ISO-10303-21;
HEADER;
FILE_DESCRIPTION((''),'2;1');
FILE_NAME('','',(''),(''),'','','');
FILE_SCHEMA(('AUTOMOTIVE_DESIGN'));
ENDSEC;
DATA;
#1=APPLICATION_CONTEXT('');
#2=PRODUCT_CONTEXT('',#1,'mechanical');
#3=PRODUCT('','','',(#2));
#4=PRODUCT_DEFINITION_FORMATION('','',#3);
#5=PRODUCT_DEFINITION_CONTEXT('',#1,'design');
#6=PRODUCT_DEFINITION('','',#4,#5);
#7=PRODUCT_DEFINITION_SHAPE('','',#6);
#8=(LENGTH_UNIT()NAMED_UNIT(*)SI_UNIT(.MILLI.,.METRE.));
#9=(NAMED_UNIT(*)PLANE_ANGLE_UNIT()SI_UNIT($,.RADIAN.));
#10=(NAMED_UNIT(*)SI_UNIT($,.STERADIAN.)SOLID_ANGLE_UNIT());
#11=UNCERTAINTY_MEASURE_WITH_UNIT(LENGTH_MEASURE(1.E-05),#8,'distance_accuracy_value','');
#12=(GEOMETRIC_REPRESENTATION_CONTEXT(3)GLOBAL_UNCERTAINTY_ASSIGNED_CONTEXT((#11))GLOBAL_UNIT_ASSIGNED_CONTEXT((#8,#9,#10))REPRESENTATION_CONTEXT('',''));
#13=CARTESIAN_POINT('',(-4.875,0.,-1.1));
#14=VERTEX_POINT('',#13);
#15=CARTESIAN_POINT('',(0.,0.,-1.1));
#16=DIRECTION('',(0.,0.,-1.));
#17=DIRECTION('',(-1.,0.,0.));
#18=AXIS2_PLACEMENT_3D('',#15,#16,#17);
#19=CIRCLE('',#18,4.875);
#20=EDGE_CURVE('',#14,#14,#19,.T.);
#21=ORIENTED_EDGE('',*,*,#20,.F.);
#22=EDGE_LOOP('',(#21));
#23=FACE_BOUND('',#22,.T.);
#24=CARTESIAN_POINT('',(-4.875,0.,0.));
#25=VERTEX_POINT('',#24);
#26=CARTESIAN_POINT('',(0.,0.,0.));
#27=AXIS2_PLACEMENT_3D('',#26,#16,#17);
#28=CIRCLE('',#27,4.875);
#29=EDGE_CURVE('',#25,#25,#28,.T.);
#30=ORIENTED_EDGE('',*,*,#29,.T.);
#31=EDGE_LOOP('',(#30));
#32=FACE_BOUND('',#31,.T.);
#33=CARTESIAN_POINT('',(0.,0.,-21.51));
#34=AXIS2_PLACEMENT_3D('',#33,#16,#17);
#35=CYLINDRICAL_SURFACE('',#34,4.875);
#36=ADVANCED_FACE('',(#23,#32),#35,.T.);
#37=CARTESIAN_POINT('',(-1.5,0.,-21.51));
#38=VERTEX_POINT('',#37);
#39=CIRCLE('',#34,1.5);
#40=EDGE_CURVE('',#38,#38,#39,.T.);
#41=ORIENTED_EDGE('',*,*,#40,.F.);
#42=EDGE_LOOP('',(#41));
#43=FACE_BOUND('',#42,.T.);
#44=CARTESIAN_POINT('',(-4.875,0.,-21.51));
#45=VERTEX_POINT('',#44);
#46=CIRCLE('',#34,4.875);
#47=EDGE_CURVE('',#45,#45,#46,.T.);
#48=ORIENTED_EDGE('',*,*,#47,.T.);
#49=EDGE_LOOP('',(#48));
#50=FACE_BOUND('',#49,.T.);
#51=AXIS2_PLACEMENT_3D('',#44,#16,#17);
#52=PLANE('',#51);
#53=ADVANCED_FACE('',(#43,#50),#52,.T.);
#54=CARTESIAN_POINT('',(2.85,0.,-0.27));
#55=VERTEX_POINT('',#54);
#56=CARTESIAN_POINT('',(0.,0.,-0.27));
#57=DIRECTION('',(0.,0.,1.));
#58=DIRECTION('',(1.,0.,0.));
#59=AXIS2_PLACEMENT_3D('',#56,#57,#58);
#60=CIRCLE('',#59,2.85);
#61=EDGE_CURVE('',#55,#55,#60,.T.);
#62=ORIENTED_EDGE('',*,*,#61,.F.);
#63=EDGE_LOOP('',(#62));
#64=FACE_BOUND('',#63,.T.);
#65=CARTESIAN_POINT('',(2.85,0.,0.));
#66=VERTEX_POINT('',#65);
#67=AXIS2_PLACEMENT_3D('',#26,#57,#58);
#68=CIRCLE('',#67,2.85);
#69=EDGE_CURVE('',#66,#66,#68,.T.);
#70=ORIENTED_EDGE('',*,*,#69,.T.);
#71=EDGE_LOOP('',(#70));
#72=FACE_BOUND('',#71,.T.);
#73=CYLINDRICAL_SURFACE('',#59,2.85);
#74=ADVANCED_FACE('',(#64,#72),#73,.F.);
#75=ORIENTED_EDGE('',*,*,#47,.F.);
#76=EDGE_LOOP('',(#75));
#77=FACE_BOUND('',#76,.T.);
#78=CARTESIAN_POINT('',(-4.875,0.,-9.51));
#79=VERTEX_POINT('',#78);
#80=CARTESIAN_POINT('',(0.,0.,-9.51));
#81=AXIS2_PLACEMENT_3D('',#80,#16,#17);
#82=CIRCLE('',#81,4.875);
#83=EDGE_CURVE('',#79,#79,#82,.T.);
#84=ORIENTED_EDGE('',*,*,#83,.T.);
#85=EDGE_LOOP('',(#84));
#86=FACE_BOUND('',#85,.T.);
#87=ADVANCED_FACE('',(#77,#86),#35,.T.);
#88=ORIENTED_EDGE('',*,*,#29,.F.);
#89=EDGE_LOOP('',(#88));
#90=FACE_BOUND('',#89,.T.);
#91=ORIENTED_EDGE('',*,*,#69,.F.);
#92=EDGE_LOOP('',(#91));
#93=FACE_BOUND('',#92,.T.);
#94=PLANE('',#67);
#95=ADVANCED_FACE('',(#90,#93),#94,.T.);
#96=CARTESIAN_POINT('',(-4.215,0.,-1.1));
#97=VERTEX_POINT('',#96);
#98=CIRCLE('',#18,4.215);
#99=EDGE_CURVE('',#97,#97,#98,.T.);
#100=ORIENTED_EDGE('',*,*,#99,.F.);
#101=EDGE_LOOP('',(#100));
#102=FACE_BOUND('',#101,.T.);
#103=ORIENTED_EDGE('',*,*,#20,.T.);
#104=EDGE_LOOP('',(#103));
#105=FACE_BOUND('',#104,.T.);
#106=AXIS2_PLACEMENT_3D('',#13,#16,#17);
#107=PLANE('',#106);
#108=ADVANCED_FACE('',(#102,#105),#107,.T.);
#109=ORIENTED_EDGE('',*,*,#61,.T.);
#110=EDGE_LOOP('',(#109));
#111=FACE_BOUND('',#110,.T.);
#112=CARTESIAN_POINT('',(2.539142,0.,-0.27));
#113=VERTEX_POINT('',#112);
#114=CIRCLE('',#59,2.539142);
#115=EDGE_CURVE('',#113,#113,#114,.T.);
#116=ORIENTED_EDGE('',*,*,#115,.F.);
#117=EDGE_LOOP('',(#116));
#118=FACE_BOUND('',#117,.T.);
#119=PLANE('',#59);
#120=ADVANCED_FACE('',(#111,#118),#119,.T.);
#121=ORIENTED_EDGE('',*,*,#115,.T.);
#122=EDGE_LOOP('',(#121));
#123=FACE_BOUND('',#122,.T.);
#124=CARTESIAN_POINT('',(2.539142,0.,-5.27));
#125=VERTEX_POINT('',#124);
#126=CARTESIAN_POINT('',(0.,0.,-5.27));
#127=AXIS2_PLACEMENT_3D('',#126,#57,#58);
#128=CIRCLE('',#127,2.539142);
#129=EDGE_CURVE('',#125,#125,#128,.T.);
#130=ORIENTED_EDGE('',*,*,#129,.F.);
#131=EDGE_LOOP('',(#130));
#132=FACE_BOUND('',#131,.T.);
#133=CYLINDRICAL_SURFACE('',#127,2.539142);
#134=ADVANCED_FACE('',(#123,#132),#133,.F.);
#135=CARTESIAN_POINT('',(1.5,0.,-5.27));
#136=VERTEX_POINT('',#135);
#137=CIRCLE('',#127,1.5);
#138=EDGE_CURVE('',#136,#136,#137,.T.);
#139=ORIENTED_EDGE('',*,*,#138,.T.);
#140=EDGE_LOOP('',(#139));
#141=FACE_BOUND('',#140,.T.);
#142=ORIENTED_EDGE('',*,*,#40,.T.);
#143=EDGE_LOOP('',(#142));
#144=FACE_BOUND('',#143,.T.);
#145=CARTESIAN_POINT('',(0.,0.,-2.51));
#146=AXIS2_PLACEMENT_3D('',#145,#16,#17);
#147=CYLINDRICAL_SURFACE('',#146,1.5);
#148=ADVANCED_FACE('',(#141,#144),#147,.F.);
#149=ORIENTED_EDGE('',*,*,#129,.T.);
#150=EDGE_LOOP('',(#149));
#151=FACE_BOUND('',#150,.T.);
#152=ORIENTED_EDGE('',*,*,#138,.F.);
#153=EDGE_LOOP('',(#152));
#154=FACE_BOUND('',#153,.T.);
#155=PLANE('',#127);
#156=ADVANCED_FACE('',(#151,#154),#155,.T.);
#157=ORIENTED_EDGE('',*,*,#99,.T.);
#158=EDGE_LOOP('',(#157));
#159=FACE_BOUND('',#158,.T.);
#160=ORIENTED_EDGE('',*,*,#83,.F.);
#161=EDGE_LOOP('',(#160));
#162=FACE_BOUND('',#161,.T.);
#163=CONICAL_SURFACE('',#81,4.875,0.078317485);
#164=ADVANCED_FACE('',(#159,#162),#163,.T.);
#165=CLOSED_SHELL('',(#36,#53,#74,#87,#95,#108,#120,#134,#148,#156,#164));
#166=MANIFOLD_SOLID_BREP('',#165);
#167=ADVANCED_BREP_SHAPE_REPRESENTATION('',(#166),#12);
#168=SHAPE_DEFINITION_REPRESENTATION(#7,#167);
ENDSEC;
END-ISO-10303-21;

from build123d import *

# Parameters (mm, degrees)
SKETCH2_R          = 2.85
CUT_EXTRUDE1_DEPTH = 0.27
SKETCH3_R          = 2.539141962
CUT_EXTRUDE2_DEPTH = 5
SKETCH4_R          = 1.5
CUT_EXTRUDE3_DEPTH = 19


with BuildPart() as part:
    # Sketch1 → Revolve1 (revolve)
    with BuildSketch(Plane(origin=(0, 0, 0), x_dir=(1, 0, 0), z_dir=(0, 1, 0))):
        Polygon((0, 0), (-4.875, 0), (-4.875, 1.1), (-4.215, 1.1), (-4.875, 9.51), (-4.875, 21.51), (0, 21.51), align=None)
    revolve(axis=Axis((0, 0, -21.51), (0, 0, 1)))

    # Sketch2 → Cut-Extrude1 (cut)
    with BuildSketch(Plane.XY):
        Circle(SKETCH2_R)
    extrude(amount=-CUT_EXTRUDE1_DEPTH, mode=Mode.SUBTRACT)

    # Sketch3 → Cut-Extrude2 (cut)
    with BuildSketch(Plane.XY.offset(-0.27)):
        Circle(SKETCH3_R)
    extrude(amount=-CUT_EXTRUDE2_DEPTH, mode=Mode.SUBTRACT)

    # Sketch4 → Cut-Extrude3 (cut)
    with BuildSketch(Plane(origin=(0, 0, -21.51), x_dir=(-1, 0, 0), z_dir=(0, 0, -1))):
        Circle(SKETCH4_R)
    extrude(amount=-CUT_EXTRUDE3_DEPTH, mode=Mode.SUBTRACT)


solid = part.part
